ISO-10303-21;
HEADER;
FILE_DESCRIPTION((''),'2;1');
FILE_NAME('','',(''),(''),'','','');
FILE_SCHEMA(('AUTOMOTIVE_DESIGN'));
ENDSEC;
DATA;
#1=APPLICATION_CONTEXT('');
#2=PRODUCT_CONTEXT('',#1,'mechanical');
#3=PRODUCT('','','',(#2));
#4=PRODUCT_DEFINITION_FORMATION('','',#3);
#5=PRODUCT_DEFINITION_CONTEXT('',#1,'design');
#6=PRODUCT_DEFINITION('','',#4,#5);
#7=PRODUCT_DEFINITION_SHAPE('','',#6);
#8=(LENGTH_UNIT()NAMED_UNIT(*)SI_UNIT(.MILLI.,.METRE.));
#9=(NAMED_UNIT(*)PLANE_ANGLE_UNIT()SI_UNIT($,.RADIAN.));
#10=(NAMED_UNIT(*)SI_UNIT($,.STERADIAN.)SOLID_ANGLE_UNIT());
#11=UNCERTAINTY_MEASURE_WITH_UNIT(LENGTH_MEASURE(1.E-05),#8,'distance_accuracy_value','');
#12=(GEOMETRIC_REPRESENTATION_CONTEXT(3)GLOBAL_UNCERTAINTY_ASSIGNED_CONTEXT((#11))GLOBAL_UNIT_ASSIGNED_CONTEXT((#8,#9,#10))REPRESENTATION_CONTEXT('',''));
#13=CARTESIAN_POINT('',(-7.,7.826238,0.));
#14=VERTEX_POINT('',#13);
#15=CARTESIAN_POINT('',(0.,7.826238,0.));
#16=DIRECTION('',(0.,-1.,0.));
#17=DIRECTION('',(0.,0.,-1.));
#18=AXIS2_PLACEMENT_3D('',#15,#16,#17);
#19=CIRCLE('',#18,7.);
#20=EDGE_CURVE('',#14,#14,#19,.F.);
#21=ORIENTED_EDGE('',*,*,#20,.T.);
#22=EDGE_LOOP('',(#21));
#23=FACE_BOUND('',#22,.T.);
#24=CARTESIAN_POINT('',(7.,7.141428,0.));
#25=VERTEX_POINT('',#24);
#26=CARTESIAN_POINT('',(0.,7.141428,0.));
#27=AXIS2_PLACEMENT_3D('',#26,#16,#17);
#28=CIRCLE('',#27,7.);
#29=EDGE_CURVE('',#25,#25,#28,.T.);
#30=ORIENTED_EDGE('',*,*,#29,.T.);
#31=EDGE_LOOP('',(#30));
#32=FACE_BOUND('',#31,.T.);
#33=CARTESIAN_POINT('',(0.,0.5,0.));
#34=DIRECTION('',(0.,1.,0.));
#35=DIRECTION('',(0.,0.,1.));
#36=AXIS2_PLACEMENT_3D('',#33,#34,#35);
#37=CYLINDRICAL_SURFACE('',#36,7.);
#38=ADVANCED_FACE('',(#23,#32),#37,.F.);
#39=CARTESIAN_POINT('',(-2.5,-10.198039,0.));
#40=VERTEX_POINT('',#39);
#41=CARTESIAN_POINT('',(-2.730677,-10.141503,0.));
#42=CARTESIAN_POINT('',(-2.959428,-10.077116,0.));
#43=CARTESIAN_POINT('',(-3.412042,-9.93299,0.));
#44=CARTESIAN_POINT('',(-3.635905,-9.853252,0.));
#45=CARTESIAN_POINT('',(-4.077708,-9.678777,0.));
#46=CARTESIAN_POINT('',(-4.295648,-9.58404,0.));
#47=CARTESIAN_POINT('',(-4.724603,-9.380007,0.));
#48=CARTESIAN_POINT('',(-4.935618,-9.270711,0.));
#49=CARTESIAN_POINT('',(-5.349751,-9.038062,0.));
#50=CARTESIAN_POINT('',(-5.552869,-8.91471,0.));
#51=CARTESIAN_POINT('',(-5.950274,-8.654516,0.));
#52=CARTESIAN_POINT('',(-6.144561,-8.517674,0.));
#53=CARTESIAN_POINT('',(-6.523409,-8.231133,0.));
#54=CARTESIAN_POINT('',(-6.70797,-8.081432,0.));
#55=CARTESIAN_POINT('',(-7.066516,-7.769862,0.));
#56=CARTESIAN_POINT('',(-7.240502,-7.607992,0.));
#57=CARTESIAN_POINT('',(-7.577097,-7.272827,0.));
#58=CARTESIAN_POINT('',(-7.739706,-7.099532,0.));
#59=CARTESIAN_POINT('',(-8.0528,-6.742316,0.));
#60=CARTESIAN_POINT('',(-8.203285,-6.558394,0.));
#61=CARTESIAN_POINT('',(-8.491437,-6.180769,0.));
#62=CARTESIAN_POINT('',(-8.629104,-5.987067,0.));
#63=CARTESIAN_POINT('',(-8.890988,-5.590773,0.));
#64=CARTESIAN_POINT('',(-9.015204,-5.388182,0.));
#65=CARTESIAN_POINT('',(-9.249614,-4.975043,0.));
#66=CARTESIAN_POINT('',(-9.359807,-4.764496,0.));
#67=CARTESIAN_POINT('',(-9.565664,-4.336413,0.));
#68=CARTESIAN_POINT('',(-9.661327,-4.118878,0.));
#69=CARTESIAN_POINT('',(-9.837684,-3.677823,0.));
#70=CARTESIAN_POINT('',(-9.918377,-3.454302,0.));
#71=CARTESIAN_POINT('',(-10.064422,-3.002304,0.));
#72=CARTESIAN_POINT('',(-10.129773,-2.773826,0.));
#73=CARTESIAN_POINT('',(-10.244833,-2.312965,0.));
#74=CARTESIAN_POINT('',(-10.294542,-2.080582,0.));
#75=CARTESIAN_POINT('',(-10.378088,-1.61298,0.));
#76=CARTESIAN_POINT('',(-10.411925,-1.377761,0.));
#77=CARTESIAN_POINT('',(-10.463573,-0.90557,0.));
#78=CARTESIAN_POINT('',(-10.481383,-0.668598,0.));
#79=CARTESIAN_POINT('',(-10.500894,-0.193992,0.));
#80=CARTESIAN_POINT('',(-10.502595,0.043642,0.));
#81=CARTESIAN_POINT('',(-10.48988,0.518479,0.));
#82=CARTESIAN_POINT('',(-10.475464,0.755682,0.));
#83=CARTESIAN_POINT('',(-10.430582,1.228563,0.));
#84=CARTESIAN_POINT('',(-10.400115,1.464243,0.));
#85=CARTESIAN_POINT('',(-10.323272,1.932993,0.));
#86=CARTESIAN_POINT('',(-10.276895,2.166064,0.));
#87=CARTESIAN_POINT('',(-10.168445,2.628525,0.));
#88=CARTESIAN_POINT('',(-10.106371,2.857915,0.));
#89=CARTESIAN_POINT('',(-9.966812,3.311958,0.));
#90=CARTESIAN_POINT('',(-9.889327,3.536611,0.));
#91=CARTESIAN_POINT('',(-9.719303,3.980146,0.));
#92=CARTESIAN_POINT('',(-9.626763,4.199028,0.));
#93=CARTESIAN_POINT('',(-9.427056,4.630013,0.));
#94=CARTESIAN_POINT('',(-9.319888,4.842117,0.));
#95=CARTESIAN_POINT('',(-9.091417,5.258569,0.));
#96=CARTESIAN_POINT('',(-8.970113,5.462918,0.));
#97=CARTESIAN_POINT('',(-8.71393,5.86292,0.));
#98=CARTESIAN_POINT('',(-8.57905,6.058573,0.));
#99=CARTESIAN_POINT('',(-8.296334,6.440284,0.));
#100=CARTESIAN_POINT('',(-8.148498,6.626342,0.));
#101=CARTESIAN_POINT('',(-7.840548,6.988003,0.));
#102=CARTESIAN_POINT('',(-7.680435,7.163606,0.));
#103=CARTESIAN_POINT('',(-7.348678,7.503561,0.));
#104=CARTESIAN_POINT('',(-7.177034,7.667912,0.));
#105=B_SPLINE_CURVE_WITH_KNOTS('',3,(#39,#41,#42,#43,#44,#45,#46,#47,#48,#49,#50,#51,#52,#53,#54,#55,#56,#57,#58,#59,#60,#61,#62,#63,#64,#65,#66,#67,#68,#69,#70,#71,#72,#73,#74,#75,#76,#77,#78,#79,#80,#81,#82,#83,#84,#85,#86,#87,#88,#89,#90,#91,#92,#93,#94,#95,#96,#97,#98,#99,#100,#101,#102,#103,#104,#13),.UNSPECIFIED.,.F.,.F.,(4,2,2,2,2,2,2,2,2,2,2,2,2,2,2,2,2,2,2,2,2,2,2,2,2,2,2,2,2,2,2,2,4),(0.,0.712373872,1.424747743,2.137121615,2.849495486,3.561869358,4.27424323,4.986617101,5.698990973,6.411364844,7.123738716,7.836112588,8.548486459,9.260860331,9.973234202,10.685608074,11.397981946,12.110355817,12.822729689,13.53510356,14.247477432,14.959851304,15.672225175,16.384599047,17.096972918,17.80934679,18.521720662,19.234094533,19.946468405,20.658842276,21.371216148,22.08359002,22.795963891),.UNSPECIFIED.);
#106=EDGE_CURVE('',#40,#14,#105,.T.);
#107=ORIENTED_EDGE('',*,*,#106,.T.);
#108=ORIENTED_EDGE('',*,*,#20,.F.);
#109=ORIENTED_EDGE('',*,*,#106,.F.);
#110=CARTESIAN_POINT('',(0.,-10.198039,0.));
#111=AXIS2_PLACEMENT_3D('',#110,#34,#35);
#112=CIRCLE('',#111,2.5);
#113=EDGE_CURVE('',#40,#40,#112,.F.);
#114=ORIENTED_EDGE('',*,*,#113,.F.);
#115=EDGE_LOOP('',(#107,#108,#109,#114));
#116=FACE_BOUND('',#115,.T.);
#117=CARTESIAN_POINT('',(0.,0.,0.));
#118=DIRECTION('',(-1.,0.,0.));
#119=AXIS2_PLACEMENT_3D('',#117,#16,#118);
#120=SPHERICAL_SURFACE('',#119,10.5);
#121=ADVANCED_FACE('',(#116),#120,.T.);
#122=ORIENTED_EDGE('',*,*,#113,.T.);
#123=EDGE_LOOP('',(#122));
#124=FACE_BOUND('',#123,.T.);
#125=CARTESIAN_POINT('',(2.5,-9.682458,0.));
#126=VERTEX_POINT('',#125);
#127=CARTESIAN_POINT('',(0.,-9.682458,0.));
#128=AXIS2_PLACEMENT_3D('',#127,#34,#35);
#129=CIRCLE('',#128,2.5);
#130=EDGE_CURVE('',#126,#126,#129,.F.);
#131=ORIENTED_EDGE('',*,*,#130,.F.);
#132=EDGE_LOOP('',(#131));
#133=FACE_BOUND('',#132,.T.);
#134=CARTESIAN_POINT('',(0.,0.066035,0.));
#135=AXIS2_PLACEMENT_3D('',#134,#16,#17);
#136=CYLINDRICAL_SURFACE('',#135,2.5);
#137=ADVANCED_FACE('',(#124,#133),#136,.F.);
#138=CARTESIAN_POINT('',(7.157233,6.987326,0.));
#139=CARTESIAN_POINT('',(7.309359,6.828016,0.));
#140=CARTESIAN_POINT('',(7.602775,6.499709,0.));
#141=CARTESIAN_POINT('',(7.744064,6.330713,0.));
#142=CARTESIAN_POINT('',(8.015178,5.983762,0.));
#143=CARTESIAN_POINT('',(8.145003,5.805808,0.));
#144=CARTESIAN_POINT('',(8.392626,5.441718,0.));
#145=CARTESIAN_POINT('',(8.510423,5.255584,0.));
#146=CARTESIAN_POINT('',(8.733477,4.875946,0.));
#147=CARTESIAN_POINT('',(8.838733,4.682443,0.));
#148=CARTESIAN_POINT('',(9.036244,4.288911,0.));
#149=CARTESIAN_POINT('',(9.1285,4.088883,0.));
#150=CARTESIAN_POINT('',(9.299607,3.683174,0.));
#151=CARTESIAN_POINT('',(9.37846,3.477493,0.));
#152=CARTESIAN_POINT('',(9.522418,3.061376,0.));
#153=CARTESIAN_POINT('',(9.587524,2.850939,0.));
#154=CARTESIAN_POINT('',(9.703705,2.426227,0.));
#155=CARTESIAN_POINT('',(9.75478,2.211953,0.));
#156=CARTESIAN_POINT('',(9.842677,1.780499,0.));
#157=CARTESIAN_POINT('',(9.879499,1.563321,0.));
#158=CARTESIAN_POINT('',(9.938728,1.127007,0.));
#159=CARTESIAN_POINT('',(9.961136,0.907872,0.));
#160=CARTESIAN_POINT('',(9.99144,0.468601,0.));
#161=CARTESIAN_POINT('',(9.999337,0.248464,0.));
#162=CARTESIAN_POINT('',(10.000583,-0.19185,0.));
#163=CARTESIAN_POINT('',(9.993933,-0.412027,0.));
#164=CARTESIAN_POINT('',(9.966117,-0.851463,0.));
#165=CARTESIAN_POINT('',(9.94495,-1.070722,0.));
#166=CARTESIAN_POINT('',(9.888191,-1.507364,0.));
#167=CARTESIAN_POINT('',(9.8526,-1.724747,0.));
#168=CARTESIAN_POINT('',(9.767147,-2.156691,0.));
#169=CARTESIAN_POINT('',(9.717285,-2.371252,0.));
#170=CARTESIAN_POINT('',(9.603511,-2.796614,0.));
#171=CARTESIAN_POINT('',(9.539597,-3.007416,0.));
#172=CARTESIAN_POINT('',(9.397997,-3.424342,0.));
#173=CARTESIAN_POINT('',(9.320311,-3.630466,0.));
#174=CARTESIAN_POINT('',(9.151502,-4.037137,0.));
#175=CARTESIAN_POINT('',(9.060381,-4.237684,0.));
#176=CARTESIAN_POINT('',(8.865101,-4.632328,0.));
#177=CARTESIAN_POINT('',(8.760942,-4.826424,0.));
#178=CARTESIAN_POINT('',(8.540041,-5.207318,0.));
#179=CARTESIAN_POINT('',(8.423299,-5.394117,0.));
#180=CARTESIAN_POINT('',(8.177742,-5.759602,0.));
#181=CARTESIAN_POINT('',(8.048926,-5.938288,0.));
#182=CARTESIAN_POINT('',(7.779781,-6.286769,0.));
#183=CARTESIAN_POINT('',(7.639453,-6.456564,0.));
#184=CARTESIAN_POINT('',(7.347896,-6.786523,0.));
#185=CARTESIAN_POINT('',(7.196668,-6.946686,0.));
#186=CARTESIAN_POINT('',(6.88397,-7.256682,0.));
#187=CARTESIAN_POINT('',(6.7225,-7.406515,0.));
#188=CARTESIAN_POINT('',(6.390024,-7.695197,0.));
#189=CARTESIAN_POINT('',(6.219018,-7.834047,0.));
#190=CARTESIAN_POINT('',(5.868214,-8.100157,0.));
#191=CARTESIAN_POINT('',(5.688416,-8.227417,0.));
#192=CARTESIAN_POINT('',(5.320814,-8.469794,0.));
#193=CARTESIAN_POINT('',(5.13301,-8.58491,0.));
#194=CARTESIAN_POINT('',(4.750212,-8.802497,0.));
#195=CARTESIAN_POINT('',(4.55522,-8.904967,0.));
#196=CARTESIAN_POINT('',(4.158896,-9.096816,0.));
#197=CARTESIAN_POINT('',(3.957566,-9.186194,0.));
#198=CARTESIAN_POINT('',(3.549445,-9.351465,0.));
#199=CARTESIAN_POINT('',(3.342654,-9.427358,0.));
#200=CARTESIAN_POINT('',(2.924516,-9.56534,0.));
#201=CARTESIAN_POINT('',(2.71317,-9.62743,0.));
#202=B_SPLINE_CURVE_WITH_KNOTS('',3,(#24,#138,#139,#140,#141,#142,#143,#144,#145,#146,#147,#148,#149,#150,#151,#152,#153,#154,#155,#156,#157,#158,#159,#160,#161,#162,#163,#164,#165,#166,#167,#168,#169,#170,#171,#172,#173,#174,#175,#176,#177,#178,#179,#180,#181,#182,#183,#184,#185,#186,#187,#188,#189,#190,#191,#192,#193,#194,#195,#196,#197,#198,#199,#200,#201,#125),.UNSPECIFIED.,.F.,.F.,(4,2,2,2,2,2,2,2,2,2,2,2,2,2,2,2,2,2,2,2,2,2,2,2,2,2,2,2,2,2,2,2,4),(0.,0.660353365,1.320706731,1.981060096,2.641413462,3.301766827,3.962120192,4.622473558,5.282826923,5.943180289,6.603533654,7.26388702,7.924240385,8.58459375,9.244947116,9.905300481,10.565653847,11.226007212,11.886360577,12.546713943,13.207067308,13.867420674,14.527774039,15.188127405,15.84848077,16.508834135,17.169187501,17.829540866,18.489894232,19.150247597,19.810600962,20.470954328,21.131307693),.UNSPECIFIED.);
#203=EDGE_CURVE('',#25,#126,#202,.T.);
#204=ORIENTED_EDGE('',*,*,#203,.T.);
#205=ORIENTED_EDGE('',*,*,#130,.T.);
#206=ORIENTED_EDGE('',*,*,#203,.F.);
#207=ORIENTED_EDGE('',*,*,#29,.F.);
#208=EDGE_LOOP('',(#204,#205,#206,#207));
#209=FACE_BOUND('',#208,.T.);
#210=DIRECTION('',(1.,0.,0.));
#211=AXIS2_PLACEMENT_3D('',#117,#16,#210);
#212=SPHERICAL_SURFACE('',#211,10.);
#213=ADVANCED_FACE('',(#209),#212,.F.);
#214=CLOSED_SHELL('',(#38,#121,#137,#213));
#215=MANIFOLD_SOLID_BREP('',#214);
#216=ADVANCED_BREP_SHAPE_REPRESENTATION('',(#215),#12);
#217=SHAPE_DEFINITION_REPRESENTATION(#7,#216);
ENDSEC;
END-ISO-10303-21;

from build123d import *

# Parameters (mm, degrees)
SKETCH_2_R          = 7
CUT_EXTRUDE_1_DEPTH = 10
SKETCH_5_R          = 2.5
CUT_EXTRUDE_3_DEPTH = 10
CUT_EXTRUDE_START   = -10
SKETCH_6_R          = 2.5
CUT_EXTRUDE_4_DEPTH = 10


with BuildPart() as part:
    # 草图1 → 旋转1 (revolve)
    with BuildSketch(Plane.XY):
        with BuildLine():
            Line((0, -10.5), (0, -10))
            ThreePointArc((0, -10), (10, 0), (0, 10))
            Line((0, 10), (0, 10.5))
            ThreePointArc((0, 10.5), (10.5, 0), (0, -10.5))
        make_face()
    revolve(axis=Axis((0, 10, 0), (0, 1, 0)))

    # 草图2 → 切除-拉伸1 (cut)
    with BuildSketch(Plane(origin=(0, 10.5, 0), x_dir=(1, 0, 0), z_dir=(0, 1, 0))):
        with Locations(Location((0, 0, 0), (0, 0, 90))):
            Circle(SKETCH_2_R)
    extrude(amount=-CUT_EXTRUDE_1_DEPTH, mode=Mode.SUBTRACT)

    # 草图5 → 切除-拉伸3 (cut)
    with BuildSketch(Plane(origin=(0, -9.933965028, 0), x_dir=(1, 0, 0), z_dir=(0, 1, 0))):
        Circle(SKETCH_5_R)
    extrude(amount=CUT_EXTRUDE_3_DEPTH, mode=Mode.SUBTRACT)

    # 草图6 → 切除-拉伸4 (cut)
    with BuildSketch(Plane(origin=(0, -9.933965028, 0), x_dir=(1, 0, 0), z_dir=(0, 1, 0)).offset(CUT_EXTRUDE_START)):
        Circle(SKETCH_6_R)
    extrude(amount=CUT_EXTRUDE_4_DEPTH, mode=Mode.SUBTRACT)


solid = part.part
